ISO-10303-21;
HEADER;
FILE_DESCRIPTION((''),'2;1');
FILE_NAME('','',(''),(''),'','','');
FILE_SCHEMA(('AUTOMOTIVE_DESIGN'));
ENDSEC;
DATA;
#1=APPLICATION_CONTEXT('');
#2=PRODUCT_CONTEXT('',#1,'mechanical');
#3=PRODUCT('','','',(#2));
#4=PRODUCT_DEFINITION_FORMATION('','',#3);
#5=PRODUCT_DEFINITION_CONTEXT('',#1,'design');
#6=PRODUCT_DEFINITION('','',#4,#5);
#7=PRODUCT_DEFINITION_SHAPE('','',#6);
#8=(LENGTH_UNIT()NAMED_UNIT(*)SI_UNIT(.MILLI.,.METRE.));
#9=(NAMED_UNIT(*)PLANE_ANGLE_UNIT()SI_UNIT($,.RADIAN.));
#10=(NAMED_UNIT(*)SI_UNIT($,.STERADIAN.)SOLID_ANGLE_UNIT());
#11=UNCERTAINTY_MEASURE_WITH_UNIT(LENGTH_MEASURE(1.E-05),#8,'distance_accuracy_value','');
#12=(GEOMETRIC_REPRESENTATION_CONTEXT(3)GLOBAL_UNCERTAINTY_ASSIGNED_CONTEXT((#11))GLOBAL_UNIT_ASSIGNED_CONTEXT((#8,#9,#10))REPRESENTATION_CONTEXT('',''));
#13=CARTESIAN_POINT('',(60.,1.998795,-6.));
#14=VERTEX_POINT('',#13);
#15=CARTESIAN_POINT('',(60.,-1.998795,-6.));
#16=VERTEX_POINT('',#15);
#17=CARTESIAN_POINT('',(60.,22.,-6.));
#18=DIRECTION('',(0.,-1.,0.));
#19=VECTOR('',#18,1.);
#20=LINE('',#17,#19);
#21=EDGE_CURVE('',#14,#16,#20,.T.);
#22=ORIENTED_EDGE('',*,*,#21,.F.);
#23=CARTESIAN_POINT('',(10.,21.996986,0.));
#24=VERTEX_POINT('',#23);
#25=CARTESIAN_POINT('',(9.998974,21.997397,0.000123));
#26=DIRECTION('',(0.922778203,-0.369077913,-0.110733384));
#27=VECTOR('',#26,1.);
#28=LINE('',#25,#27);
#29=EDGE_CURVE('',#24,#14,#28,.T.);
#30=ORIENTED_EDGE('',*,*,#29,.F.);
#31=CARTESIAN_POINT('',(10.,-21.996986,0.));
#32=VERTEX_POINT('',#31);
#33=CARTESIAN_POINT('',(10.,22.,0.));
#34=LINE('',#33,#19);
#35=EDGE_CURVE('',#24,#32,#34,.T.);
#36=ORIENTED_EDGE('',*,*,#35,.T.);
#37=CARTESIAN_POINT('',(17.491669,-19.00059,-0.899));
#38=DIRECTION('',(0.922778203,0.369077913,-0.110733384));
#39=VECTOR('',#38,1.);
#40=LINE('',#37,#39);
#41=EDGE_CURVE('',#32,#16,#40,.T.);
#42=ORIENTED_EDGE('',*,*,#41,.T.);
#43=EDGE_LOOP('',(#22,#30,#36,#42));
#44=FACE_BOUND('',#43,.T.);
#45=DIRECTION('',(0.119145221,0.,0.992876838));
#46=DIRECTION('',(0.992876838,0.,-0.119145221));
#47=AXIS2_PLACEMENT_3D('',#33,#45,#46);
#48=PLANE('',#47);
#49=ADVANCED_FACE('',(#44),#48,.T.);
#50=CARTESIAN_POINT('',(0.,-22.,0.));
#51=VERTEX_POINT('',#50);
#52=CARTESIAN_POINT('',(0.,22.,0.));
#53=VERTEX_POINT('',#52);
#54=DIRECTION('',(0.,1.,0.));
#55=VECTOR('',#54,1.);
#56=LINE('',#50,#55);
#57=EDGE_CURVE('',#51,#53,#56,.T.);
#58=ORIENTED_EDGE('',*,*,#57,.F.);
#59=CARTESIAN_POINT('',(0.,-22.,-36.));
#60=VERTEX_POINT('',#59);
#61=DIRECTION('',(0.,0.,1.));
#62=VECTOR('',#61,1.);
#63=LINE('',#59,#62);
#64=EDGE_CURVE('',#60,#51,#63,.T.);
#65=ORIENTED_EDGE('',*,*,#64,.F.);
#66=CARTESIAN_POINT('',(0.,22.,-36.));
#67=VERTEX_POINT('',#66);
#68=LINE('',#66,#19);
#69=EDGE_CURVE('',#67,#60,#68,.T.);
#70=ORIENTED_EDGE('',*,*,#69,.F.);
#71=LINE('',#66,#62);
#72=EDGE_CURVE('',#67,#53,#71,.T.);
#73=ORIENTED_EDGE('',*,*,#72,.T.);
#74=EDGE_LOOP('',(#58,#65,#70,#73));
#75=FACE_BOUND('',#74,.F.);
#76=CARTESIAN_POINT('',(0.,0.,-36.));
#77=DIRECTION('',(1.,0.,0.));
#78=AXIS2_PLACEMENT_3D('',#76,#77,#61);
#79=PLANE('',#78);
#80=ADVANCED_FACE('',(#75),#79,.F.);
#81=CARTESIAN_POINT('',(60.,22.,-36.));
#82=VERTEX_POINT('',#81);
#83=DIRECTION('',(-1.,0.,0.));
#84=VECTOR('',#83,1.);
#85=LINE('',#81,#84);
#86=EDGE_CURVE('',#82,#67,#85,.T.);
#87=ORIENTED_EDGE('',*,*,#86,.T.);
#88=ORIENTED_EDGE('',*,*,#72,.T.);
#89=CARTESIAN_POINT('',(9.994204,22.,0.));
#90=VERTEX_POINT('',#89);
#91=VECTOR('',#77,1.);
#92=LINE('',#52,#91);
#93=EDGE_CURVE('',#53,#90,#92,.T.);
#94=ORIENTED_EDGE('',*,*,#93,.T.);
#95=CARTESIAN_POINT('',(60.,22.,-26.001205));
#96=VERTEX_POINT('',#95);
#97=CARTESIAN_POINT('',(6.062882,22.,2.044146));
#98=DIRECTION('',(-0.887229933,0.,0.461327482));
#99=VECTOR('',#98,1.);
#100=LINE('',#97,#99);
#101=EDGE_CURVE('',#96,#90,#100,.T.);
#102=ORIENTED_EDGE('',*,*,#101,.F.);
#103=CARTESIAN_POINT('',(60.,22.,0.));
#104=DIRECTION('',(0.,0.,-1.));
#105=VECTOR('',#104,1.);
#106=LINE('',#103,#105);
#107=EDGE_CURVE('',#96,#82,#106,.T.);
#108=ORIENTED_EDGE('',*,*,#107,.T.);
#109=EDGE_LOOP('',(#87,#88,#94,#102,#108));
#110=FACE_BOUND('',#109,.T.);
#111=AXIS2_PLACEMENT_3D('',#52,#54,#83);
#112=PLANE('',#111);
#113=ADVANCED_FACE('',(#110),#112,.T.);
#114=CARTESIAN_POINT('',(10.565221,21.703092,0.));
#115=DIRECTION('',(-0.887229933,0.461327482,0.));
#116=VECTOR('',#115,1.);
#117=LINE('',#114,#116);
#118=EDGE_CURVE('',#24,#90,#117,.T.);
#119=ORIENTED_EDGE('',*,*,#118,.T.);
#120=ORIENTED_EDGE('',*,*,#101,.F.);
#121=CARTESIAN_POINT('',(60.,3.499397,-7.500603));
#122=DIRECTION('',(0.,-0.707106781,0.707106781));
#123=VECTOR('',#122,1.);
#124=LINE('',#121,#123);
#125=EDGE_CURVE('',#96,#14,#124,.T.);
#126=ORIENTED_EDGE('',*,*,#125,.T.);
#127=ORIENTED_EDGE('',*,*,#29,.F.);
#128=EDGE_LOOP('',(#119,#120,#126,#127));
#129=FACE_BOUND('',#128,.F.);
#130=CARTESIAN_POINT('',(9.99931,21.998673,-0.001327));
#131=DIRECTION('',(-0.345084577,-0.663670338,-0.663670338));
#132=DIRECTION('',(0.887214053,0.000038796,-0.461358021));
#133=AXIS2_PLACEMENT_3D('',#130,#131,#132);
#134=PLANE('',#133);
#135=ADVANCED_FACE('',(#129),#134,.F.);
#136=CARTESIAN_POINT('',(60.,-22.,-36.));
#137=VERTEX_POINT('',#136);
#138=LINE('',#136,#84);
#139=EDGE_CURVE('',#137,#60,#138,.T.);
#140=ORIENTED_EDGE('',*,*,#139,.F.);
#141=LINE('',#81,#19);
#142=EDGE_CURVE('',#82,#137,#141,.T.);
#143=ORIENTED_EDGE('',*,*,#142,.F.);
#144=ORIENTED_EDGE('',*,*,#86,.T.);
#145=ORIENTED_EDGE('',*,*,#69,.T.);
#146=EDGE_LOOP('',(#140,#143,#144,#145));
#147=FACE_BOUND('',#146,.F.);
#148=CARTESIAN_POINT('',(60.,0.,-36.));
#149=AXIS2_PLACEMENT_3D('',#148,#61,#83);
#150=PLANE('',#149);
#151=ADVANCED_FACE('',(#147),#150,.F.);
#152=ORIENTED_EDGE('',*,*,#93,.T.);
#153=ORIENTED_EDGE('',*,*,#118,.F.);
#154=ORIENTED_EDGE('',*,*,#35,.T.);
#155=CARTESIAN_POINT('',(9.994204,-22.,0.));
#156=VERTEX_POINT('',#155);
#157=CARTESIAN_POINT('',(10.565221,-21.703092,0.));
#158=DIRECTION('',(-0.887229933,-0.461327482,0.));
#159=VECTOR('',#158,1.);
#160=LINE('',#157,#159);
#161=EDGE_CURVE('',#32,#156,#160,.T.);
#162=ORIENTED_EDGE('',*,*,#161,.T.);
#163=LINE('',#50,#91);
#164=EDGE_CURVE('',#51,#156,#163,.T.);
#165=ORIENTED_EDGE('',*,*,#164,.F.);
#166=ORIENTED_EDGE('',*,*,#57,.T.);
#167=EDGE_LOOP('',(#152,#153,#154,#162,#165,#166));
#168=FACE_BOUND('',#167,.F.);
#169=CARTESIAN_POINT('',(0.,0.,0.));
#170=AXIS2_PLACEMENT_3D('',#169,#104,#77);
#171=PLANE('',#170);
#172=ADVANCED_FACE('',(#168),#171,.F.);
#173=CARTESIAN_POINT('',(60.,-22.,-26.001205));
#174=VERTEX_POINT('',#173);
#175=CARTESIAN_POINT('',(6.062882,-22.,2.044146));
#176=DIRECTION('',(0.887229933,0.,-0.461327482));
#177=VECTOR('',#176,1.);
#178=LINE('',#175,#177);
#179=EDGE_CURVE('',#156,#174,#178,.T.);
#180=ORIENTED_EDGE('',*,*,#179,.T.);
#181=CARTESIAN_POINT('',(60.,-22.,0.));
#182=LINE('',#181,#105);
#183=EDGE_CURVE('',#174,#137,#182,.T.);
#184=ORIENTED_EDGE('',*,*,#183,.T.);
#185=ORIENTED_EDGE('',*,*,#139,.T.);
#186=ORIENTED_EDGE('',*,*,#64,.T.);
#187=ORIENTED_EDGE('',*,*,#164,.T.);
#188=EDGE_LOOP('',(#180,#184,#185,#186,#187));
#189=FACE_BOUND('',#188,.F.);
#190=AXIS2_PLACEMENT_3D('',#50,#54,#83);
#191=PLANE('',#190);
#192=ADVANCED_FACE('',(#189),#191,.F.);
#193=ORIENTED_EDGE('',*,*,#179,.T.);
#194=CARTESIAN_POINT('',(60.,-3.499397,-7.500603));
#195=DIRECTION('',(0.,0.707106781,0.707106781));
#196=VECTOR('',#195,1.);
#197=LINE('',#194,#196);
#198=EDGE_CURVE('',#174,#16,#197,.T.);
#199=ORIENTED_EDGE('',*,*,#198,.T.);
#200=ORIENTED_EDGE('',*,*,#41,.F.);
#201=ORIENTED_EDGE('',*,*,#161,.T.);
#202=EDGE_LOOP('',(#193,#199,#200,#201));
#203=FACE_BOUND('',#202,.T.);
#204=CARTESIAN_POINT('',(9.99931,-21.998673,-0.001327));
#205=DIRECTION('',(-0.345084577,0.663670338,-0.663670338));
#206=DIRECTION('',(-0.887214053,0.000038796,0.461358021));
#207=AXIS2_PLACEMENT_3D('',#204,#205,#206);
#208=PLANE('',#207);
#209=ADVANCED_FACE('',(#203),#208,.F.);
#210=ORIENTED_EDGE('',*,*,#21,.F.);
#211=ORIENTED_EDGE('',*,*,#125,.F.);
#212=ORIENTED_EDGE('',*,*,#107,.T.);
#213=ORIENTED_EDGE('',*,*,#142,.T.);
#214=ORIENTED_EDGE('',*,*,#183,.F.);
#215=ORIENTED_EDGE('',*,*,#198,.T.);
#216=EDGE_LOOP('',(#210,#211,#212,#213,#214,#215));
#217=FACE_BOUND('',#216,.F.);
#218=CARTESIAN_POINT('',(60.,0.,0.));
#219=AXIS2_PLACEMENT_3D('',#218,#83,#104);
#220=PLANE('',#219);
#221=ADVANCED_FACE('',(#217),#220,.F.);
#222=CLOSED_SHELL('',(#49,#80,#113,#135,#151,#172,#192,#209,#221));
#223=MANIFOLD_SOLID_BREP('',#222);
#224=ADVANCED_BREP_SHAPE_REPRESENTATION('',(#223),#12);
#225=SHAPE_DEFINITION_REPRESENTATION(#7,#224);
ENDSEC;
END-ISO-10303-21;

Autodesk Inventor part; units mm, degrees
ref_plane "YZ Plane" through (0, 0, 0) normal (1, 0, 0) x (0, 1, 0)
ref_plane "XZ Plane" through (0, 0, 0) normal (0, 1, 0) x (-1, 0, 0)
sketch "草圖1" plane through (0, 0, 0) normal (0, 1, 0) x (-1, 0, 0)
  line L0 (0, 0) -> (-60, 0)
  line L1 (-60, 0) -> (-60, -36)
  line L2 (-60, -36) -> (0, -36)
  line L3 (0, -36) -> (0, 0)
  dimension "d0" = 60
  dimension "d1" = 36
extrude "擠出1" add sketch "草圖1" along normal mid plane 44
sketch "草圖2" plane through (0, 22, 0) normal (0, 1, 0) x (1, 0, 0)
  line L0 (0, 0) -> (60, 0) projected
  line L1 (10, 0) -> (60, 6)
  line L2 (60, 0) -> (60, 36) projected
  dimension "d4" = 10
  dimension "d5" = 30
extrude "擠出2" cut sketch "草圖2" against normal blind 60
sketch "草圖3" plane through (60, -22, -36) normal (1, 0, 0) x (0, 0, -1)
  line L0 (-30, 24) -> (-10, 44)
  line L1 (0, 44) -> (-36, 44) projected
  line L2 (-30, 44) -> (-30, 0) projected
  point P0 (-36, 22)
  point P1 (-30, 2)
  dimension "d8" = 20
  dimension "d9" = 20
ref_plane "工作平面1" through (10, 22, 0) normal (-0.3451, -0.6637, -0.6637) x (0.8872, 0, -0.4614)
sketch "草圖4" plane through (10, 22, 0) normal (-0.3451, -0.6637, -0.6637) x (0.8872, 0, -0.4614)
  line L0 (-15.1543, -12.3218) -> (93.717, -12.3218)
  line L1 (93.717, -12.3218) -> (93.717, 28.8166)
  line L2 (93.717, 28.8166) -> (-15.1543, 28.8166)
  line L3 (-15.1543, 28.8166) -> (-15.1543, -12.3218)
  point P0 (-8.8722, 13.3948)
extrude "擠出3" cut sketch "草圖4" against normal blind 40
mirror "鏡射1" about plane through (0, 0, 0) normal (0, 1, 0) of "擠出3"
properties part number "48"
